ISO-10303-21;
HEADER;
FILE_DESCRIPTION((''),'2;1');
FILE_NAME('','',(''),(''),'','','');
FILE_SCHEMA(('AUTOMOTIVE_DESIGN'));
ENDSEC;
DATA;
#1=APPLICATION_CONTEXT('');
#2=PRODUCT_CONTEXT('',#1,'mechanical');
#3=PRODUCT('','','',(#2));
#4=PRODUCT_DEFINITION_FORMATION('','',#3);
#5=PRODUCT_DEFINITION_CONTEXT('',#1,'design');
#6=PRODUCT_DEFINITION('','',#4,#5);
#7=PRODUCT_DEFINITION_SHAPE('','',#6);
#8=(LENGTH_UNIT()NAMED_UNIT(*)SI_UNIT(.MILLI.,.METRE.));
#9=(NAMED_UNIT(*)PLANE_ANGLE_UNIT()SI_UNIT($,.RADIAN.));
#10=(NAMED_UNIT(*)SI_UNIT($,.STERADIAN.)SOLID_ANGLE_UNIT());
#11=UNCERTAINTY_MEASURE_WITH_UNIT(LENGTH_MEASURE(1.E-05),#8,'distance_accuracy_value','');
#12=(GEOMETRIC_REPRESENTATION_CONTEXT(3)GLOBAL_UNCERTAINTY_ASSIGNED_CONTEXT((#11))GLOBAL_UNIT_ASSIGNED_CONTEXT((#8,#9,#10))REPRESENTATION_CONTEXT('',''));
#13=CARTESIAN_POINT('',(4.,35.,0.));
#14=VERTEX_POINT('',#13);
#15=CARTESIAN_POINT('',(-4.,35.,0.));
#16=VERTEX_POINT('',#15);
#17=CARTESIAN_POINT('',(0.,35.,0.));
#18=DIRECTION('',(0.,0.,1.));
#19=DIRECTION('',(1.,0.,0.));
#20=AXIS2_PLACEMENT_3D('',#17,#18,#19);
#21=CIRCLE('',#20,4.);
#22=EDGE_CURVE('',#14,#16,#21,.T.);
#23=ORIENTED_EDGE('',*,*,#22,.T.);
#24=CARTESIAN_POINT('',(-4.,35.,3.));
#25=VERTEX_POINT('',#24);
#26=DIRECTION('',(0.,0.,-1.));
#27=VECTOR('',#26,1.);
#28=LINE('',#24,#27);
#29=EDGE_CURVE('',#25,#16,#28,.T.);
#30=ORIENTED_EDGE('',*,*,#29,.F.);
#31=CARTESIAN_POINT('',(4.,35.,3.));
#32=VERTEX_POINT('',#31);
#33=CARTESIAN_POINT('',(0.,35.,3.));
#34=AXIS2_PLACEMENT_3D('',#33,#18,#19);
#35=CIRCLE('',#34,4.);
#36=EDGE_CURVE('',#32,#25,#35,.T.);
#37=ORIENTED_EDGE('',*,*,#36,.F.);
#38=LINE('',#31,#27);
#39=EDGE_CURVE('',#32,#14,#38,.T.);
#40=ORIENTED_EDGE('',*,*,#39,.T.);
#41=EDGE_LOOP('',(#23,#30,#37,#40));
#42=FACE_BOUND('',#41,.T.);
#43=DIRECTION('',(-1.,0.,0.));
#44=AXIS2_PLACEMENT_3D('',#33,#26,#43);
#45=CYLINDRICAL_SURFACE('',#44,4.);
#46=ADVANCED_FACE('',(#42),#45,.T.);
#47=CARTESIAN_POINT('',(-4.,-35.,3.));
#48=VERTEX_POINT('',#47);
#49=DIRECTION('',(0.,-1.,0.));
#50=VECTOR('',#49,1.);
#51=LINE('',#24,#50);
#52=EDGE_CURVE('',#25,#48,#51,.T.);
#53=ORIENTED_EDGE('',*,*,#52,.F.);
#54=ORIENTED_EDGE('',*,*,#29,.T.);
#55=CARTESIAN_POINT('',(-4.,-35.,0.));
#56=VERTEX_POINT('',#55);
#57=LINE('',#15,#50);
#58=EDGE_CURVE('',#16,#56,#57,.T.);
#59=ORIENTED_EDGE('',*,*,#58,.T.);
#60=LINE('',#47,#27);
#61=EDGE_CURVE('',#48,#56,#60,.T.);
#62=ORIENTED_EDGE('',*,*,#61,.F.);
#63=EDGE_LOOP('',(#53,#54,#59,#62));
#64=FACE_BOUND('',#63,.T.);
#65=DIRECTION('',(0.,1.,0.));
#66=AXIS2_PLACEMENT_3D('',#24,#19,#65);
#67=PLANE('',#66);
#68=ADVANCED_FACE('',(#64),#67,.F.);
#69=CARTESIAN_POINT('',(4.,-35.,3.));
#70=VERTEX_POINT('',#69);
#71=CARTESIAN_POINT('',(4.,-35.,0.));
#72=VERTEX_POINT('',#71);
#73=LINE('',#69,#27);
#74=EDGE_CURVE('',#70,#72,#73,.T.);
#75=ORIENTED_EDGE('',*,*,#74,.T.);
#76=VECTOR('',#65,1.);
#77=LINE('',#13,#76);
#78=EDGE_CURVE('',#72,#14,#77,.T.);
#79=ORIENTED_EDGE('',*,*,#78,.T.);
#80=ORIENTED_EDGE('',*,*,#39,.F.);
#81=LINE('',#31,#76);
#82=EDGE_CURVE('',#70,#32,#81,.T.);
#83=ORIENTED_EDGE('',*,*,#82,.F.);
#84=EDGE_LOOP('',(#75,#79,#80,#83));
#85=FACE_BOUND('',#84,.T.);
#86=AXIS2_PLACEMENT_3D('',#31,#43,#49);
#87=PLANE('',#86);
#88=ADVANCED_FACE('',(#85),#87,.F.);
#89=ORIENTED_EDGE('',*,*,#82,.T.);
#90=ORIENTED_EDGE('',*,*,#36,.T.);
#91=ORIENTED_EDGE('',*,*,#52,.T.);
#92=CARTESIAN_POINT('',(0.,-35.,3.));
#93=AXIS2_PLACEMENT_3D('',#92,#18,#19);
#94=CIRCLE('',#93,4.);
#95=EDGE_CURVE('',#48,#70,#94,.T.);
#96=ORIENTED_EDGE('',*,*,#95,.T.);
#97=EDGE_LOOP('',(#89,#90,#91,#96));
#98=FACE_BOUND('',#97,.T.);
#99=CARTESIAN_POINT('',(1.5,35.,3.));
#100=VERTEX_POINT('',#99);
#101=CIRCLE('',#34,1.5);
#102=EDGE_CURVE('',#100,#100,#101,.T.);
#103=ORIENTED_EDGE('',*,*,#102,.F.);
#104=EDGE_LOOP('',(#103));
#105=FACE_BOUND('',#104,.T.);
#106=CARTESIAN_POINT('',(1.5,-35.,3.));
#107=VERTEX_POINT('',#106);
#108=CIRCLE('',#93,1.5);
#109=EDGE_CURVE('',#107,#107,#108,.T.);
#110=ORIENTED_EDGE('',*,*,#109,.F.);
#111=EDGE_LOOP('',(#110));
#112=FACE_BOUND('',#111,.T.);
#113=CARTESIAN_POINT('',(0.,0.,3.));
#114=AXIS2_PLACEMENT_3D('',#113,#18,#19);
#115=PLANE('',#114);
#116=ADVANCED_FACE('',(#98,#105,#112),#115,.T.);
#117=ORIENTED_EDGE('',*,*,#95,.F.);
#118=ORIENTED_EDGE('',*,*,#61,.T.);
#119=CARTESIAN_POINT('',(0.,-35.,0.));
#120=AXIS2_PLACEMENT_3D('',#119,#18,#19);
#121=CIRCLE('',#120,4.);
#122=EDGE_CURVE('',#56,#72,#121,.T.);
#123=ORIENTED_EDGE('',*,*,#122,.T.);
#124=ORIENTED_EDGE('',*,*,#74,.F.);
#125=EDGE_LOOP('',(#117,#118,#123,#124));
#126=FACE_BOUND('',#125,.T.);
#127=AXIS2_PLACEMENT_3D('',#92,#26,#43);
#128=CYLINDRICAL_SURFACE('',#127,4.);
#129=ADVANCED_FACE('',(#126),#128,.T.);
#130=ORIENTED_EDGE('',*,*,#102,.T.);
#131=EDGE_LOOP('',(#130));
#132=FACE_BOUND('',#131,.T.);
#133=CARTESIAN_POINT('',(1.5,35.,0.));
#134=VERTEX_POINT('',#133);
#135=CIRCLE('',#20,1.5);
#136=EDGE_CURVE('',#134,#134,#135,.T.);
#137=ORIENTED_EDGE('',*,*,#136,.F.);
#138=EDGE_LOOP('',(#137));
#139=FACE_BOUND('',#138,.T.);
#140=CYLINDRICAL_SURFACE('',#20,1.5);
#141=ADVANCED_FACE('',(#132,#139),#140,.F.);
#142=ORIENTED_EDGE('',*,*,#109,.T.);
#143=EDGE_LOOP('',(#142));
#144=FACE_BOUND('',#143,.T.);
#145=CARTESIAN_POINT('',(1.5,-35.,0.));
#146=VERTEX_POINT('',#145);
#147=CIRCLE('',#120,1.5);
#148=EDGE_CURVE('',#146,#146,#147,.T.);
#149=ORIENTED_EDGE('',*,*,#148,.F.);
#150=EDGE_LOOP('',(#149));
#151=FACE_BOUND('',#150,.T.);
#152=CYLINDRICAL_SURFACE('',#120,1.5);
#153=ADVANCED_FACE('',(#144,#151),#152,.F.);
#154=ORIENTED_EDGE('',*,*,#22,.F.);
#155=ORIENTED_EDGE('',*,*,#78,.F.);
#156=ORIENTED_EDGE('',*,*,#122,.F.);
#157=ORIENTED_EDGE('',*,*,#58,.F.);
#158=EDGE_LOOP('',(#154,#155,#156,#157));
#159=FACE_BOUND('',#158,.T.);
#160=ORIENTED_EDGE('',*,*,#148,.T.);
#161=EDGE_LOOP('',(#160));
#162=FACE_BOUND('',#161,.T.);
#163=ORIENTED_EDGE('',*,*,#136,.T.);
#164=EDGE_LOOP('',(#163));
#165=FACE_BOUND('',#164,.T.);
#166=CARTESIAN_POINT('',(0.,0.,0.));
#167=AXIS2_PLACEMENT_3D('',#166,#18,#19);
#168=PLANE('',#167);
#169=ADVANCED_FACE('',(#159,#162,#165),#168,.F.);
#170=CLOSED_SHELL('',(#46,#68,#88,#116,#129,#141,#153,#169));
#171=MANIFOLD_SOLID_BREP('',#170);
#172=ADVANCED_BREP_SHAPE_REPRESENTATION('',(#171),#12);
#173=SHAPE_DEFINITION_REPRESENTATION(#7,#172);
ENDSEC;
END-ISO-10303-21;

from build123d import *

# Parameters (mm, degrees)
SKETCH_1_W          = 8
SKETCH_1_H          = 70
EXTRUDE_1_DEPTH     = 3
SKETCH_2_R          = 4
EXTRUDE_2_DEPTH     = 3
SKETCH_3_R          = 1.5
CUT_EXTRUDE_1_DEPTH = 3


with BuildPart() as part:
    # 草图1 → 凸台-拉伸1 (new body)
    with BuildSketch(Plane.XY):
        Rectangle(SKETCH_1_W, SKETCH_1_H)
    extrude(amount=EXTRUDE_1_DEPTH)

    # 草图2 → 凸台-拉伸2 (add)
    with BuildSketch(Plane.XY):
        with Locations((0, 35)):
            Circle(SKETCH_2_R)
        with Locations((0, -35)):
            Circle(SKETCH_2_R)
    extrude(amount=EXTRUDE_2_DEPTH)

    # 草图3 → 切除-拉伸1 (cut)
    with BuildSketch(Plane.XY.offset(3)):
        with Locations((0, 35)):
            Circle(SKETCH_3_R)
        with Locations((0, -35)):
            Circle(SKETCH_3_R)
    extrude(amount=-CUT_EXTRUDE_1_DEPTH, mode=Mode.SUBTRACT)


solid = part.part
